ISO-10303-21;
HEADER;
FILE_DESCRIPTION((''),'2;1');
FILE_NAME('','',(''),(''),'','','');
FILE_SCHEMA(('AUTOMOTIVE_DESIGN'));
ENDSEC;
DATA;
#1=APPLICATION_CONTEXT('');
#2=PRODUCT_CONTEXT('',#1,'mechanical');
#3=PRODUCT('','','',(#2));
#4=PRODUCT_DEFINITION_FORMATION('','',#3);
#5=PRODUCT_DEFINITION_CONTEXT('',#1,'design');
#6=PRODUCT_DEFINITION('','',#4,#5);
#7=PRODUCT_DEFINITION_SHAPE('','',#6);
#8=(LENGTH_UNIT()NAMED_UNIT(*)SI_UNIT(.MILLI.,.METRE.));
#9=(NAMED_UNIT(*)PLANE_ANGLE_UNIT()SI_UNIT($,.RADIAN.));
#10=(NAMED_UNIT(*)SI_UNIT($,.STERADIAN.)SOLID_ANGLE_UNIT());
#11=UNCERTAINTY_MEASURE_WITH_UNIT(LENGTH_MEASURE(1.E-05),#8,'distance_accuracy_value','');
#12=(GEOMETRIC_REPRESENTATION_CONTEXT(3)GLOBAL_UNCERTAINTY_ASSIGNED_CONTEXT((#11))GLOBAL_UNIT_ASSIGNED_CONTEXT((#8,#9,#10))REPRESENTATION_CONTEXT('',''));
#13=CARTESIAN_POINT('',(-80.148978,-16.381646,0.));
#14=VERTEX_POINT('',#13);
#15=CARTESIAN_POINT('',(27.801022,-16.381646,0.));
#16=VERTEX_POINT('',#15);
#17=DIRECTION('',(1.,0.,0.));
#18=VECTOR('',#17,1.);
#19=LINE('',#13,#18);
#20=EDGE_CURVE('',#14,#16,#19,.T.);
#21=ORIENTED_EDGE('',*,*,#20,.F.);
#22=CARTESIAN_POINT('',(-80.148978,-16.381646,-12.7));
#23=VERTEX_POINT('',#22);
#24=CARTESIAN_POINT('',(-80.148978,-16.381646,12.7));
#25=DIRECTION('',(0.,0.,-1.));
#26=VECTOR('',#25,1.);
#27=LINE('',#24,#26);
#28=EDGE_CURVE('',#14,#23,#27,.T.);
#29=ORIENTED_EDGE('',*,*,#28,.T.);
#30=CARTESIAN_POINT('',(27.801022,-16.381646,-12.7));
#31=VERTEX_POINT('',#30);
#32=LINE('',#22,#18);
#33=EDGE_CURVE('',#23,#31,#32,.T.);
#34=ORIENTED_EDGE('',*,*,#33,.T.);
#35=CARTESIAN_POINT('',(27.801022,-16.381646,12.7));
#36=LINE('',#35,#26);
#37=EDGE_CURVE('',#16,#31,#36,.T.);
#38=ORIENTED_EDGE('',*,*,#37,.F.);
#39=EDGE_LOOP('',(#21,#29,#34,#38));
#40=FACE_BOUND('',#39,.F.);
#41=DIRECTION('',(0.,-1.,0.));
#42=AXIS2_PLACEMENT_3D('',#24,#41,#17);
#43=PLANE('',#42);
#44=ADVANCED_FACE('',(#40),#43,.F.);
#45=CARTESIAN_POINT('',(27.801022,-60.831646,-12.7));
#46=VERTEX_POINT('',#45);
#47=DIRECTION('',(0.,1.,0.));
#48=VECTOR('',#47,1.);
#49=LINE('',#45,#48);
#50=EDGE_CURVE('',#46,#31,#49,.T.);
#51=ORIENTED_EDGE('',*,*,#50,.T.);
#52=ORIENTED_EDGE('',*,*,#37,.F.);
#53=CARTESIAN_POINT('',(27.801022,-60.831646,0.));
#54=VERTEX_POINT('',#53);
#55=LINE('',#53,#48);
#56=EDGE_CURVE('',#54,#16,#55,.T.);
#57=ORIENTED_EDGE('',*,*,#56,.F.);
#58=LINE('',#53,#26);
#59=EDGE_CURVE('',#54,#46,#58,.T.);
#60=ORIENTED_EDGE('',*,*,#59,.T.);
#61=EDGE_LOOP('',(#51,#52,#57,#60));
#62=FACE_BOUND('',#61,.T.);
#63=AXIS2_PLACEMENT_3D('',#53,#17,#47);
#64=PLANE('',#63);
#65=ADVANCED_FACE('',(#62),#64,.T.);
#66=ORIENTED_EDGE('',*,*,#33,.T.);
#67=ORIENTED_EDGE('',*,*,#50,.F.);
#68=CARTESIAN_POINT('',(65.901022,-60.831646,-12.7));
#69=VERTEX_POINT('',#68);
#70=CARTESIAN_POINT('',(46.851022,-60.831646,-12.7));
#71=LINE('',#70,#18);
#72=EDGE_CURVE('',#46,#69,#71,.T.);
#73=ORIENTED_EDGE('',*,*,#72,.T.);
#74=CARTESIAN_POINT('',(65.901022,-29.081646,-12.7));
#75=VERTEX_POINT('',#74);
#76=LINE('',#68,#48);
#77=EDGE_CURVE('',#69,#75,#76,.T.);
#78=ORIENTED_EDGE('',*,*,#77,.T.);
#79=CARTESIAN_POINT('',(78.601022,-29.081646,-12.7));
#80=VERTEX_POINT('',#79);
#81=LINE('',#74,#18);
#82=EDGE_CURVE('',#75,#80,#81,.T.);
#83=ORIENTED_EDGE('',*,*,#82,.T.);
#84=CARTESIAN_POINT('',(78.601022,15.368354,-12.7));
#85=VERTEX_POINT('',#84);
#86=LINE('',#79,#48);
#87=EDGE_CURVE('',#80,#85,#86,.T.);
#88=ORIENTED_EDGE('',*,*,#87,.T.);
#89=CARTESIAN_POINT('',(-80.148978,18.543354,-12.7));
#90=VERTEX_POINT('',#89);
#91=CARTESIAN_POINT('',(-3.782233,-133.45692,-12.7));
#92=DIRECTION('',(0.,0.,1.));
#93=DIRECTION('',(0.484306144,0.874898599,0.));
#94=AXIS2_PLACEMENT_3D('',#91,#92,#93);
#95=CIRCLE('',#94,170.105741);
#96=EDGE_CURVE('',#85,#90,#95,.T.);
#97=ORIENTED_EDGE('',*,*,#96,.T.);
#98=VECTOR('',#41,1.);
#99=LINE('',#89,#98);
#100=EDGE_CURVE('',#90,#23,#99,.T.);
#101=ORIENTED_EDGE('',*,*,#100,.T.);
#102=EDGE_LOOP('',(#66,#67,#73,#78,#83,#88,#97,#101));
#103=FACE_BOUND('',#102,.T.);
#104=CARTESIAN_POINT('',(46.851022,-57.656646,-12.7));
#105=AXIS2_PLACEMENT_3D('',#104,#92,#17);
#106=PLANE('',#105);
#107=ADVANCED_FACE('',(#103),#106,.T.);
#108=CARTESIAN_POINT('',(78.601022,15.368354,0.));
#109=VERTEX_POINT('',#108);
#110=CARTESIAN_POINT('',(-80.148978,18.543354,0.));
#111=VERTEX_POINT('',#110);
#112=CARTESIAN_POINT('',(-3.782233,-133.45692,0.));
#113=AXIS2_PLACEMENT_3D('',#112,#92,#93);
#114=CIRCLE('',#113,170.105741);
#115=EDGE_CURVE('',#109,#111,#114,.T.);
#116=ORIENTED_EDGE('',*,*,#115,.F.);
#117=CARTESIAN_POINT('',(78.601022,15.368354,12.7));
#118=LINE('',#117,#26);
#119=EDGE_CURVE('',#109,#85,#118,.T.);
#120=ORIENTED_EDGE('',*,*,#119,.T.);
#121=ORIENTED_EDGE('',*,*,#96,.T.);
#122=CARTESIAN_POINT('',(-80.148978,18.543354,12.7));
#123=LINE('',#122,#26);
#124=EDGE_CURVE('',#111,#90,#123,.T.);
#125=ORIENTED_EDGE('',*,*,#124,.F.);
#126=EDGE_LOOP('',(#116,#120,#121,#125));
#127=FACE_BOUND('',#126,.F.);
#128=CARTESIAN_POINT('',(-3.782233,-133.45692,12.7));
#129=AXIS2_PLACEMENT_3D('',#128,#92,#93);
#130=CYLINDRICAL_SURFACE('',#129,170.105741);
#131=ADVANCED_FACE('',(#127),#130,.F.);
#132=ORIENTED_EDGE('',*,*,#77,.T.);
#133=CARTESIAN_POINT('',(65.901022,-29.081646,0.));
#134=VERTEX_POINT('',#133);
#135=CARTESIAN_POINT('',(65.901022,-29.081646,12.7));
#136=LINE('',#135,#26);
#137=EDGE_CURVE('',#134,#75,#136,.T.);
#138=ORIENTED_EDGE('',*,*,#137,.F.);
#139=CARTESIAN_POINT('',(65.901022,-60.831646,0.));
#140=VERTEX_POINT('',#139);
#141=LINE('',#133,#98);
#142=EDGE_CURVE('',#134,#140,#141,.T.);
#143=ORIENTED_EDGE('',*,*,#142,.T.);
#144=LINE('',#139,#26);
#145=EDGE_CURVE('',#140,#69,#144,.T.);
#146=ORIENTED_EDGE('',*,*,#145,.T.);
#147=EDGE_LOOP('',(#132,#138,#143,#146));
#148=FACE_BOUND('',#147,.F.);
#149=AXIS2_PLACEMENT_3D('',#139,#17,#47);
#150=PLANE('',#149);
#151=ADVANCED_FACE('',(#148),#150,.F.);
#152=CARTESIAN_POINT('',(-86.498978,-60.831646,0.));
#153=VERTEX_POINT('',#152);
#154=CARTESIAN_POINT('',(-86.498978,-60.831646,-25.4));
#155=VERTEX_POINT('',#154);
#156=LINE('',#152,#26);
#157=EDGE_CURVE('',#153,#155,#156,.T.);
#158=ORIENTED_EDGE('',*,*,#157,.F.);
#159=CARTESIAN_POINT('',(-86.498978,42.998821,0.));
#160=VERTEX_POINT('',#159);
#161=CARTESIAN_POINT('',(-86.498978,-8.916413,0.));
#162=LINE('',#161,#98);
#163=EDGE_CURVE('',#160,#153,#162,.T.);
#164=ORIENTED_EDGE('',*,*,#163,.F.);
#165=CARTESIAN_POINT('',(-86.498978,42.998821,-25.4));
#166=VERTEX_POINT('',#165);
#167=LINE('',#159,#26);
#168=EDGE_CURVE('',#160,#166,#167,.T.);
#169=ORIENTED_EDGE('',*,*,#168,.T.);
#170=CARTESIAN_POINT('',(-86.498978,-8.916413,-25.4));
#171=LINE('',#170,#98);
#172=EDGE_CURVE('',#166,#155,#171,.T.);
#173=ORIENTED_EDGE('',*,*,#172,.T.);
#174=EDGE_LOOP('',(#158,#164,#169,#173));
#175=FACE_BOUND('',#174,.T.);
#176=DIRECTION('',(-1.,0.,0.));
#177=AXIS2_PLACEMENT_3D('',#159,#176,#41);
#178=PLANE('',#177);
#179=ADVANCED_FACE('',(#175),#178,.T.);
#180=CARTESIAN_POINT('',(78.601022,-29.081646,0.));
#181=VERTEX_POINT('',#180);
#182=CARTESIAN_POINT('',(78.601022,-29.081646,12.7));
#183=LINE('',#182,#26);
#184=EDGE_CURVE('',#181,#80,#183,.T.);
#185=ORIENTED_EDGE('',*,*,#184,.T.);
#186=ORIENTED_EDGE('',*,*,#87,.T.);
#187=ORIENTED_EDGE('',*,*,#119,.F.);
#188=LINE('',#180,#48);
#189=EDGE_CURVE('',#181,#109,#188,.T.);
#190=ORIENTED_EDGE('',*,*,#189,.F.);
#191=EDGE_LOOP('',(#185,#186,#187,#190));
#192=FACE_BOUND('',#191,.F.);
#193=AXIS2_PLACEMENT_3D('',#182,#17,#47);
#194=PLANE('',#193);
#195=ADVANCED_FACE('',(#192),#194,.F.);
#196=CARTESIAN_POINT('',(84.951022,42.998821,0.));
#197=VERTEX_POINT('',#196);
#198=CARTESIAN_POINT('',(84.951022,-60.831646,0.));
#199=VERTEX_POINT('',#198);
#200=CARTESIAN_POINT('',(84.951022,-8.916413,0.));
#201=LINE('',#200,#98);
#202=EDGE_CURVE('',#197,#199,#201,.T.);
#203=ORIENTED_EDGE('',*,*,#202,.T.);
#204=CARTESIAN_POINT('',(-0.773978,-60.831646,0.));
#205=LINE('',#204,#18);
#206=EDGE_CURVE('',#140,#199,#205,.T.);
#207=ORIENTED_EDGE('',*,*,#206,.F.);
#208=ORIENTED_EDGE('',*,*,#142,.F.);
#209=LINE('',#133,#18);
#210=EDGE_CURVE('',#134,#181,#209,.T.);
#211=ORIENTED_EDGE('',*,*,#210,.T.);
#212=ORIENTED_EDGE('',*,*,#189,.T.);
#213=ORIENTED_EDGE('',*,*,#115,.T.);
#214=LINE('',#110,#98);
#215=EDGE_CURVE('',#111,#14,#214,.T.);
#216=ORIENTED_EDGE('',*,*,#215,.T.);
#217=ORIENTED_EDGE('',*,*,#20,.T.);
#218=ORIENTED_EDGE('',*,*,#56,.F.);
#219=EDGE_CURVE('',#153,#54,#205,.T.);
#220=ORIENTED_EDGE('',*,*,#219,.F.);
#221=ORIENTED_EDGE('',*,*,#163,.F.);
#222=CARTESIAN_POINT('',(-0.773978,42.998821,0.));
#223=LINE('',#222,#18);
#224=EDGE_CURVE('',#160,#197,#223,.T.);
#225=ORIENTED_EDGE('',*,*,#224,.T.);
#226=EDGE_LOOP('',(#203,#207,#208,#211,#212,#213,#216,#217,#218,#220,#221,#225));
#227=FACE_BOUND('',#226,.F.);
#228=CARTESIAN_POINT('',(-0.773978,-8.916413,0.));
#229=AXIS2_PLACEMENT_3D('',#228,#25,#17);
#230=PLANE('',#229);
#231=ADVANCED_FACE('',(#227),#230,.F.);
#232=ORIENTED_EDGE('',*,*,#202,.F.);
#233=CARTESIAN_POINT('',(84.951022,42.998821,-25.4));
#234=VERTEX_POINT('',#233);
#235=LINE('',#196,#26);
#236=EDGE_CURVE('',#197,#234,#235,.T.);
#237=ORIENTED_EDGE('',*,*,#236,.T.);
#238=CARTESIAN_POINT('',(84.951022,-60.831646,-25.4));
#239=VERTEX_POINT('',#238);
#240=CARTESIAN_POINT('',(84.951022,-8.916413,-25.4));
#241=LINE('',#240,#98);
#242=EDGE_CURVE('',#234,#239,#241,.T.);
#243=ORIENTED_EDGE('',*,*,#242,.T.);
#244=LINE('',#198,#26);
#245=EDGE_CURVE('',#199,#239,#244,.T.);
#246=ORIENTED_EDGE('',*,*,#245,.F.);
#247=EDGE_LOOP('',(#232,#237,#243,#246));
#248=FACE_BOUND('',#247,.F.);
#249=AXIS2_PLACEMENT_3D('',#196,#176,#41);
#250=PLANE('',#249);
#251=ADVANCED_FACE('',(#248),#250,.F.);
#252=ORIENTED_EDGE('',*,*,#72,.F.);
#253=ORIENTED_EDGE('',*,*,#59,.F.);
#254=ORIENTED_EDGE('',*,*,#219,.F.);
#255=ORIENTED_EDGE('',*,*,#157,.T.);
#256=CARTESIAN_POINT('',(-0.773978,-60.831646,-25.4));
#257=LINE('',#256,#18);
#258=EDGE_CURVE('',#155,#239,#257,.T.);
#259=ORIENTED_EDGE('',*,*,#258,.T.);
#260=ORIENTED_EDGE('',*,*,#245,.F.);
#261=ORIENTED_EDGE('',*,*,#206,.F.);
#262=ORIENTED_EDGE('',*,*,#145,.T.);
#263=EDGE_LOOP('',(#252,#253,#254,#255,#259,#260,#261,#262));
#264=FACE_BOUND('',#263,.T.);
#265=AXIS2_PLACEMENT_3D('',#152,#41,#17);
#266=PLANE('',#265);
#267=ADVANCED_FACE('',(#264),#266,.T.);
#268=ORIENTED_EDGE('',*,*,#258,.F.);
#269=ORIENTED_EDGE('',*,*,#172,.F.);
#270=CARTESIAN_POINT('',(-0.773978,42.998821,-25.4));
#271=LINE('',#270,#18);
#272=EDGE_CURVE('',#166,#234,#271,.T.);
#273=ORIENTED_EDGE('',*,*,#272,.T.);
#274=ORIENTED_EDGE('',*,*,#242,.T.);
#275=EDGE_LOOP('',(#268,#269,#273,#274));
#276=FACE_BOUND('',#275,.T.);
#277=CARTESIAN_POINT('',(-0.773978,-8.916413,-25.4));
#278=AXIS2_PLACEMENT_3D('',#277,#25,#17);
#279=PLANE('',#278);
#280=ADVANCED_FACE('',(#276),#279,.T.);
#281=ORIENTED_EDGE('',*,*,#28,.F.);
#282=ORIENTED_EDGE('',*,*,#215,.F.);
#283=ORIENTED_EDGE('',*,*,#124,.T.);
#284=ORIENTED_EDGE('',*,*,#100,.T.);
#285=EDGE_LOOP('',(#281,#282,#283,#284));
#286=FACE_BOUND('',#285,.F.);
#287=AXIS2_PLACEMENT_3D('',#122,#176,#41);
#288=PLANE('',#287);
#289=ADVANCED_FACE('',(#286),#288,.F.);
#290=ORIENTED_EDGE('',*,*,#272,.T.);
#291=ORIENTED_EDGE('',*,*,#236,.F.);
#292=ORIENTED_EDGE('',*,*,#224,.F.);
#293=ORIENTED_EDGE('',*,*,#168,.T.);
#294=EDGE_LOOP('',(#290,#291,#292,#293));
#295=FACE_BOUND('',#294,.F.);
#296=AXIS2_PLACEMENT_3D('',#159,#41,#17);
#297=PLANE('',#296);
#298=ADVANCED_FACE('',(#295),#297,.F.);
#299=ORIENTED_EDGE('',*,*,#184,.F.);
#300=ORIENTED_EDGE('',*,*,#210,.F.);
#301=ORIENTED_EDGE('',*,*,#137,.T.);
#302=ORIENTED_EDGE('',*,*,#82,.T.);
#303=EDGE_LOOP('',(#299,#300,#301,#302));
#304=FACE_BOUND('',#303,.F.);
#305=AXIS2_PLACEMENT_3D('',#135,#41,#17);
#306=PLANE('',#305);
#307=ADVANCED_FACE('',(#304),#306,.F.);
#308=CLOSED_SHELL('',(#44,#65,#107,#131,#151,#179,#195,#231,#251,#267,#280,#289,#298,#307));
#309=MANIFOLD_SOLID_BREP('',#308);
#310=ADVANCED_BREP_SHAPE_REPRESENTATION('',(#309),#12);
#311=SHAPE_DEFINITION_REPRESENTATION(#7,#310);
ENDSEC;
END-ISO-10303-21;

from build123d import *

# Parameters (mm, degrees)
F1_DEPTH = 12.7
F2_W     = 171.45
F2_H     = 103.8304664585
F3_DEPTH = 25.4
F4_DEPTH = 25.4
F5_W     = 38.1
F5_H     = 6.35
F6_DEPTH = 12.7


with BuildPart() as f1:
    # F0 (on Top) → F1 (new body)
    with BuildSketch(Plane.XY):
        with BuildLine():
            Line((65.9010224927, -54.4816457485), (65.9010224927, -29.0816457485))
            Line((65.9010224927, -29.0816457485), (78.6010224927, -29.0816457485))
            Line((78.6010224927, -29.0816457485), (78.6010224927, 15.3683542515))
            ThreePointArc((78.6010224927, 15.3683542515), (-0.3807983971, 36.6148097647), (-80.1489775073, 18.5433542515))
            Line((-80.1489775073, 18.5433542515), (-80.1489775073, -16.3816457485))
            Line((-80.1489775073, -16.3816457485), (27.8010224927, -16.3816457485))
            Line((27.8010224927, -16.3816457485), (27.8010224927, -54.4816457485))
            Line((27.8010224927, -54.4816457485), (65.9010224927, -54.4816457485))
        make_face()
    extrude(amount=F1_DEPTH)

    # F2 (on face) → F3 (join)
    with BuildSketch(Plane(origin=(0, 0, 0), x_dir=(1, 0, 0), z_dir=(0, 0, -1))):
        with Locations((-0.7739775073, 8.9164125192)):
            Rectangle(F2_W, F2_H)
    extrude(amount=F3_DEPTH)

    # F4 (cut): a face of the model
    f4_faces = [f1.faces().sort_by_distance(p)[0] for p in [
        (7.501284612, -0.1265709207, 12.7),
    ]]
    extrude(f4_faces, amount=-F4_DEPTH, mode=Mode.SUBTRACT)

    # F5 (on face) → F6 (cut)
    with BuildSketch(Plane.XY):
        with Locations((46.8510224927, -57.6566457485)):
            Rectangle(F5_W, F5_H)
    extrude(amount=-F6_DEPTH, mode=Mode.SUBTRACT)


solid = f1.part
